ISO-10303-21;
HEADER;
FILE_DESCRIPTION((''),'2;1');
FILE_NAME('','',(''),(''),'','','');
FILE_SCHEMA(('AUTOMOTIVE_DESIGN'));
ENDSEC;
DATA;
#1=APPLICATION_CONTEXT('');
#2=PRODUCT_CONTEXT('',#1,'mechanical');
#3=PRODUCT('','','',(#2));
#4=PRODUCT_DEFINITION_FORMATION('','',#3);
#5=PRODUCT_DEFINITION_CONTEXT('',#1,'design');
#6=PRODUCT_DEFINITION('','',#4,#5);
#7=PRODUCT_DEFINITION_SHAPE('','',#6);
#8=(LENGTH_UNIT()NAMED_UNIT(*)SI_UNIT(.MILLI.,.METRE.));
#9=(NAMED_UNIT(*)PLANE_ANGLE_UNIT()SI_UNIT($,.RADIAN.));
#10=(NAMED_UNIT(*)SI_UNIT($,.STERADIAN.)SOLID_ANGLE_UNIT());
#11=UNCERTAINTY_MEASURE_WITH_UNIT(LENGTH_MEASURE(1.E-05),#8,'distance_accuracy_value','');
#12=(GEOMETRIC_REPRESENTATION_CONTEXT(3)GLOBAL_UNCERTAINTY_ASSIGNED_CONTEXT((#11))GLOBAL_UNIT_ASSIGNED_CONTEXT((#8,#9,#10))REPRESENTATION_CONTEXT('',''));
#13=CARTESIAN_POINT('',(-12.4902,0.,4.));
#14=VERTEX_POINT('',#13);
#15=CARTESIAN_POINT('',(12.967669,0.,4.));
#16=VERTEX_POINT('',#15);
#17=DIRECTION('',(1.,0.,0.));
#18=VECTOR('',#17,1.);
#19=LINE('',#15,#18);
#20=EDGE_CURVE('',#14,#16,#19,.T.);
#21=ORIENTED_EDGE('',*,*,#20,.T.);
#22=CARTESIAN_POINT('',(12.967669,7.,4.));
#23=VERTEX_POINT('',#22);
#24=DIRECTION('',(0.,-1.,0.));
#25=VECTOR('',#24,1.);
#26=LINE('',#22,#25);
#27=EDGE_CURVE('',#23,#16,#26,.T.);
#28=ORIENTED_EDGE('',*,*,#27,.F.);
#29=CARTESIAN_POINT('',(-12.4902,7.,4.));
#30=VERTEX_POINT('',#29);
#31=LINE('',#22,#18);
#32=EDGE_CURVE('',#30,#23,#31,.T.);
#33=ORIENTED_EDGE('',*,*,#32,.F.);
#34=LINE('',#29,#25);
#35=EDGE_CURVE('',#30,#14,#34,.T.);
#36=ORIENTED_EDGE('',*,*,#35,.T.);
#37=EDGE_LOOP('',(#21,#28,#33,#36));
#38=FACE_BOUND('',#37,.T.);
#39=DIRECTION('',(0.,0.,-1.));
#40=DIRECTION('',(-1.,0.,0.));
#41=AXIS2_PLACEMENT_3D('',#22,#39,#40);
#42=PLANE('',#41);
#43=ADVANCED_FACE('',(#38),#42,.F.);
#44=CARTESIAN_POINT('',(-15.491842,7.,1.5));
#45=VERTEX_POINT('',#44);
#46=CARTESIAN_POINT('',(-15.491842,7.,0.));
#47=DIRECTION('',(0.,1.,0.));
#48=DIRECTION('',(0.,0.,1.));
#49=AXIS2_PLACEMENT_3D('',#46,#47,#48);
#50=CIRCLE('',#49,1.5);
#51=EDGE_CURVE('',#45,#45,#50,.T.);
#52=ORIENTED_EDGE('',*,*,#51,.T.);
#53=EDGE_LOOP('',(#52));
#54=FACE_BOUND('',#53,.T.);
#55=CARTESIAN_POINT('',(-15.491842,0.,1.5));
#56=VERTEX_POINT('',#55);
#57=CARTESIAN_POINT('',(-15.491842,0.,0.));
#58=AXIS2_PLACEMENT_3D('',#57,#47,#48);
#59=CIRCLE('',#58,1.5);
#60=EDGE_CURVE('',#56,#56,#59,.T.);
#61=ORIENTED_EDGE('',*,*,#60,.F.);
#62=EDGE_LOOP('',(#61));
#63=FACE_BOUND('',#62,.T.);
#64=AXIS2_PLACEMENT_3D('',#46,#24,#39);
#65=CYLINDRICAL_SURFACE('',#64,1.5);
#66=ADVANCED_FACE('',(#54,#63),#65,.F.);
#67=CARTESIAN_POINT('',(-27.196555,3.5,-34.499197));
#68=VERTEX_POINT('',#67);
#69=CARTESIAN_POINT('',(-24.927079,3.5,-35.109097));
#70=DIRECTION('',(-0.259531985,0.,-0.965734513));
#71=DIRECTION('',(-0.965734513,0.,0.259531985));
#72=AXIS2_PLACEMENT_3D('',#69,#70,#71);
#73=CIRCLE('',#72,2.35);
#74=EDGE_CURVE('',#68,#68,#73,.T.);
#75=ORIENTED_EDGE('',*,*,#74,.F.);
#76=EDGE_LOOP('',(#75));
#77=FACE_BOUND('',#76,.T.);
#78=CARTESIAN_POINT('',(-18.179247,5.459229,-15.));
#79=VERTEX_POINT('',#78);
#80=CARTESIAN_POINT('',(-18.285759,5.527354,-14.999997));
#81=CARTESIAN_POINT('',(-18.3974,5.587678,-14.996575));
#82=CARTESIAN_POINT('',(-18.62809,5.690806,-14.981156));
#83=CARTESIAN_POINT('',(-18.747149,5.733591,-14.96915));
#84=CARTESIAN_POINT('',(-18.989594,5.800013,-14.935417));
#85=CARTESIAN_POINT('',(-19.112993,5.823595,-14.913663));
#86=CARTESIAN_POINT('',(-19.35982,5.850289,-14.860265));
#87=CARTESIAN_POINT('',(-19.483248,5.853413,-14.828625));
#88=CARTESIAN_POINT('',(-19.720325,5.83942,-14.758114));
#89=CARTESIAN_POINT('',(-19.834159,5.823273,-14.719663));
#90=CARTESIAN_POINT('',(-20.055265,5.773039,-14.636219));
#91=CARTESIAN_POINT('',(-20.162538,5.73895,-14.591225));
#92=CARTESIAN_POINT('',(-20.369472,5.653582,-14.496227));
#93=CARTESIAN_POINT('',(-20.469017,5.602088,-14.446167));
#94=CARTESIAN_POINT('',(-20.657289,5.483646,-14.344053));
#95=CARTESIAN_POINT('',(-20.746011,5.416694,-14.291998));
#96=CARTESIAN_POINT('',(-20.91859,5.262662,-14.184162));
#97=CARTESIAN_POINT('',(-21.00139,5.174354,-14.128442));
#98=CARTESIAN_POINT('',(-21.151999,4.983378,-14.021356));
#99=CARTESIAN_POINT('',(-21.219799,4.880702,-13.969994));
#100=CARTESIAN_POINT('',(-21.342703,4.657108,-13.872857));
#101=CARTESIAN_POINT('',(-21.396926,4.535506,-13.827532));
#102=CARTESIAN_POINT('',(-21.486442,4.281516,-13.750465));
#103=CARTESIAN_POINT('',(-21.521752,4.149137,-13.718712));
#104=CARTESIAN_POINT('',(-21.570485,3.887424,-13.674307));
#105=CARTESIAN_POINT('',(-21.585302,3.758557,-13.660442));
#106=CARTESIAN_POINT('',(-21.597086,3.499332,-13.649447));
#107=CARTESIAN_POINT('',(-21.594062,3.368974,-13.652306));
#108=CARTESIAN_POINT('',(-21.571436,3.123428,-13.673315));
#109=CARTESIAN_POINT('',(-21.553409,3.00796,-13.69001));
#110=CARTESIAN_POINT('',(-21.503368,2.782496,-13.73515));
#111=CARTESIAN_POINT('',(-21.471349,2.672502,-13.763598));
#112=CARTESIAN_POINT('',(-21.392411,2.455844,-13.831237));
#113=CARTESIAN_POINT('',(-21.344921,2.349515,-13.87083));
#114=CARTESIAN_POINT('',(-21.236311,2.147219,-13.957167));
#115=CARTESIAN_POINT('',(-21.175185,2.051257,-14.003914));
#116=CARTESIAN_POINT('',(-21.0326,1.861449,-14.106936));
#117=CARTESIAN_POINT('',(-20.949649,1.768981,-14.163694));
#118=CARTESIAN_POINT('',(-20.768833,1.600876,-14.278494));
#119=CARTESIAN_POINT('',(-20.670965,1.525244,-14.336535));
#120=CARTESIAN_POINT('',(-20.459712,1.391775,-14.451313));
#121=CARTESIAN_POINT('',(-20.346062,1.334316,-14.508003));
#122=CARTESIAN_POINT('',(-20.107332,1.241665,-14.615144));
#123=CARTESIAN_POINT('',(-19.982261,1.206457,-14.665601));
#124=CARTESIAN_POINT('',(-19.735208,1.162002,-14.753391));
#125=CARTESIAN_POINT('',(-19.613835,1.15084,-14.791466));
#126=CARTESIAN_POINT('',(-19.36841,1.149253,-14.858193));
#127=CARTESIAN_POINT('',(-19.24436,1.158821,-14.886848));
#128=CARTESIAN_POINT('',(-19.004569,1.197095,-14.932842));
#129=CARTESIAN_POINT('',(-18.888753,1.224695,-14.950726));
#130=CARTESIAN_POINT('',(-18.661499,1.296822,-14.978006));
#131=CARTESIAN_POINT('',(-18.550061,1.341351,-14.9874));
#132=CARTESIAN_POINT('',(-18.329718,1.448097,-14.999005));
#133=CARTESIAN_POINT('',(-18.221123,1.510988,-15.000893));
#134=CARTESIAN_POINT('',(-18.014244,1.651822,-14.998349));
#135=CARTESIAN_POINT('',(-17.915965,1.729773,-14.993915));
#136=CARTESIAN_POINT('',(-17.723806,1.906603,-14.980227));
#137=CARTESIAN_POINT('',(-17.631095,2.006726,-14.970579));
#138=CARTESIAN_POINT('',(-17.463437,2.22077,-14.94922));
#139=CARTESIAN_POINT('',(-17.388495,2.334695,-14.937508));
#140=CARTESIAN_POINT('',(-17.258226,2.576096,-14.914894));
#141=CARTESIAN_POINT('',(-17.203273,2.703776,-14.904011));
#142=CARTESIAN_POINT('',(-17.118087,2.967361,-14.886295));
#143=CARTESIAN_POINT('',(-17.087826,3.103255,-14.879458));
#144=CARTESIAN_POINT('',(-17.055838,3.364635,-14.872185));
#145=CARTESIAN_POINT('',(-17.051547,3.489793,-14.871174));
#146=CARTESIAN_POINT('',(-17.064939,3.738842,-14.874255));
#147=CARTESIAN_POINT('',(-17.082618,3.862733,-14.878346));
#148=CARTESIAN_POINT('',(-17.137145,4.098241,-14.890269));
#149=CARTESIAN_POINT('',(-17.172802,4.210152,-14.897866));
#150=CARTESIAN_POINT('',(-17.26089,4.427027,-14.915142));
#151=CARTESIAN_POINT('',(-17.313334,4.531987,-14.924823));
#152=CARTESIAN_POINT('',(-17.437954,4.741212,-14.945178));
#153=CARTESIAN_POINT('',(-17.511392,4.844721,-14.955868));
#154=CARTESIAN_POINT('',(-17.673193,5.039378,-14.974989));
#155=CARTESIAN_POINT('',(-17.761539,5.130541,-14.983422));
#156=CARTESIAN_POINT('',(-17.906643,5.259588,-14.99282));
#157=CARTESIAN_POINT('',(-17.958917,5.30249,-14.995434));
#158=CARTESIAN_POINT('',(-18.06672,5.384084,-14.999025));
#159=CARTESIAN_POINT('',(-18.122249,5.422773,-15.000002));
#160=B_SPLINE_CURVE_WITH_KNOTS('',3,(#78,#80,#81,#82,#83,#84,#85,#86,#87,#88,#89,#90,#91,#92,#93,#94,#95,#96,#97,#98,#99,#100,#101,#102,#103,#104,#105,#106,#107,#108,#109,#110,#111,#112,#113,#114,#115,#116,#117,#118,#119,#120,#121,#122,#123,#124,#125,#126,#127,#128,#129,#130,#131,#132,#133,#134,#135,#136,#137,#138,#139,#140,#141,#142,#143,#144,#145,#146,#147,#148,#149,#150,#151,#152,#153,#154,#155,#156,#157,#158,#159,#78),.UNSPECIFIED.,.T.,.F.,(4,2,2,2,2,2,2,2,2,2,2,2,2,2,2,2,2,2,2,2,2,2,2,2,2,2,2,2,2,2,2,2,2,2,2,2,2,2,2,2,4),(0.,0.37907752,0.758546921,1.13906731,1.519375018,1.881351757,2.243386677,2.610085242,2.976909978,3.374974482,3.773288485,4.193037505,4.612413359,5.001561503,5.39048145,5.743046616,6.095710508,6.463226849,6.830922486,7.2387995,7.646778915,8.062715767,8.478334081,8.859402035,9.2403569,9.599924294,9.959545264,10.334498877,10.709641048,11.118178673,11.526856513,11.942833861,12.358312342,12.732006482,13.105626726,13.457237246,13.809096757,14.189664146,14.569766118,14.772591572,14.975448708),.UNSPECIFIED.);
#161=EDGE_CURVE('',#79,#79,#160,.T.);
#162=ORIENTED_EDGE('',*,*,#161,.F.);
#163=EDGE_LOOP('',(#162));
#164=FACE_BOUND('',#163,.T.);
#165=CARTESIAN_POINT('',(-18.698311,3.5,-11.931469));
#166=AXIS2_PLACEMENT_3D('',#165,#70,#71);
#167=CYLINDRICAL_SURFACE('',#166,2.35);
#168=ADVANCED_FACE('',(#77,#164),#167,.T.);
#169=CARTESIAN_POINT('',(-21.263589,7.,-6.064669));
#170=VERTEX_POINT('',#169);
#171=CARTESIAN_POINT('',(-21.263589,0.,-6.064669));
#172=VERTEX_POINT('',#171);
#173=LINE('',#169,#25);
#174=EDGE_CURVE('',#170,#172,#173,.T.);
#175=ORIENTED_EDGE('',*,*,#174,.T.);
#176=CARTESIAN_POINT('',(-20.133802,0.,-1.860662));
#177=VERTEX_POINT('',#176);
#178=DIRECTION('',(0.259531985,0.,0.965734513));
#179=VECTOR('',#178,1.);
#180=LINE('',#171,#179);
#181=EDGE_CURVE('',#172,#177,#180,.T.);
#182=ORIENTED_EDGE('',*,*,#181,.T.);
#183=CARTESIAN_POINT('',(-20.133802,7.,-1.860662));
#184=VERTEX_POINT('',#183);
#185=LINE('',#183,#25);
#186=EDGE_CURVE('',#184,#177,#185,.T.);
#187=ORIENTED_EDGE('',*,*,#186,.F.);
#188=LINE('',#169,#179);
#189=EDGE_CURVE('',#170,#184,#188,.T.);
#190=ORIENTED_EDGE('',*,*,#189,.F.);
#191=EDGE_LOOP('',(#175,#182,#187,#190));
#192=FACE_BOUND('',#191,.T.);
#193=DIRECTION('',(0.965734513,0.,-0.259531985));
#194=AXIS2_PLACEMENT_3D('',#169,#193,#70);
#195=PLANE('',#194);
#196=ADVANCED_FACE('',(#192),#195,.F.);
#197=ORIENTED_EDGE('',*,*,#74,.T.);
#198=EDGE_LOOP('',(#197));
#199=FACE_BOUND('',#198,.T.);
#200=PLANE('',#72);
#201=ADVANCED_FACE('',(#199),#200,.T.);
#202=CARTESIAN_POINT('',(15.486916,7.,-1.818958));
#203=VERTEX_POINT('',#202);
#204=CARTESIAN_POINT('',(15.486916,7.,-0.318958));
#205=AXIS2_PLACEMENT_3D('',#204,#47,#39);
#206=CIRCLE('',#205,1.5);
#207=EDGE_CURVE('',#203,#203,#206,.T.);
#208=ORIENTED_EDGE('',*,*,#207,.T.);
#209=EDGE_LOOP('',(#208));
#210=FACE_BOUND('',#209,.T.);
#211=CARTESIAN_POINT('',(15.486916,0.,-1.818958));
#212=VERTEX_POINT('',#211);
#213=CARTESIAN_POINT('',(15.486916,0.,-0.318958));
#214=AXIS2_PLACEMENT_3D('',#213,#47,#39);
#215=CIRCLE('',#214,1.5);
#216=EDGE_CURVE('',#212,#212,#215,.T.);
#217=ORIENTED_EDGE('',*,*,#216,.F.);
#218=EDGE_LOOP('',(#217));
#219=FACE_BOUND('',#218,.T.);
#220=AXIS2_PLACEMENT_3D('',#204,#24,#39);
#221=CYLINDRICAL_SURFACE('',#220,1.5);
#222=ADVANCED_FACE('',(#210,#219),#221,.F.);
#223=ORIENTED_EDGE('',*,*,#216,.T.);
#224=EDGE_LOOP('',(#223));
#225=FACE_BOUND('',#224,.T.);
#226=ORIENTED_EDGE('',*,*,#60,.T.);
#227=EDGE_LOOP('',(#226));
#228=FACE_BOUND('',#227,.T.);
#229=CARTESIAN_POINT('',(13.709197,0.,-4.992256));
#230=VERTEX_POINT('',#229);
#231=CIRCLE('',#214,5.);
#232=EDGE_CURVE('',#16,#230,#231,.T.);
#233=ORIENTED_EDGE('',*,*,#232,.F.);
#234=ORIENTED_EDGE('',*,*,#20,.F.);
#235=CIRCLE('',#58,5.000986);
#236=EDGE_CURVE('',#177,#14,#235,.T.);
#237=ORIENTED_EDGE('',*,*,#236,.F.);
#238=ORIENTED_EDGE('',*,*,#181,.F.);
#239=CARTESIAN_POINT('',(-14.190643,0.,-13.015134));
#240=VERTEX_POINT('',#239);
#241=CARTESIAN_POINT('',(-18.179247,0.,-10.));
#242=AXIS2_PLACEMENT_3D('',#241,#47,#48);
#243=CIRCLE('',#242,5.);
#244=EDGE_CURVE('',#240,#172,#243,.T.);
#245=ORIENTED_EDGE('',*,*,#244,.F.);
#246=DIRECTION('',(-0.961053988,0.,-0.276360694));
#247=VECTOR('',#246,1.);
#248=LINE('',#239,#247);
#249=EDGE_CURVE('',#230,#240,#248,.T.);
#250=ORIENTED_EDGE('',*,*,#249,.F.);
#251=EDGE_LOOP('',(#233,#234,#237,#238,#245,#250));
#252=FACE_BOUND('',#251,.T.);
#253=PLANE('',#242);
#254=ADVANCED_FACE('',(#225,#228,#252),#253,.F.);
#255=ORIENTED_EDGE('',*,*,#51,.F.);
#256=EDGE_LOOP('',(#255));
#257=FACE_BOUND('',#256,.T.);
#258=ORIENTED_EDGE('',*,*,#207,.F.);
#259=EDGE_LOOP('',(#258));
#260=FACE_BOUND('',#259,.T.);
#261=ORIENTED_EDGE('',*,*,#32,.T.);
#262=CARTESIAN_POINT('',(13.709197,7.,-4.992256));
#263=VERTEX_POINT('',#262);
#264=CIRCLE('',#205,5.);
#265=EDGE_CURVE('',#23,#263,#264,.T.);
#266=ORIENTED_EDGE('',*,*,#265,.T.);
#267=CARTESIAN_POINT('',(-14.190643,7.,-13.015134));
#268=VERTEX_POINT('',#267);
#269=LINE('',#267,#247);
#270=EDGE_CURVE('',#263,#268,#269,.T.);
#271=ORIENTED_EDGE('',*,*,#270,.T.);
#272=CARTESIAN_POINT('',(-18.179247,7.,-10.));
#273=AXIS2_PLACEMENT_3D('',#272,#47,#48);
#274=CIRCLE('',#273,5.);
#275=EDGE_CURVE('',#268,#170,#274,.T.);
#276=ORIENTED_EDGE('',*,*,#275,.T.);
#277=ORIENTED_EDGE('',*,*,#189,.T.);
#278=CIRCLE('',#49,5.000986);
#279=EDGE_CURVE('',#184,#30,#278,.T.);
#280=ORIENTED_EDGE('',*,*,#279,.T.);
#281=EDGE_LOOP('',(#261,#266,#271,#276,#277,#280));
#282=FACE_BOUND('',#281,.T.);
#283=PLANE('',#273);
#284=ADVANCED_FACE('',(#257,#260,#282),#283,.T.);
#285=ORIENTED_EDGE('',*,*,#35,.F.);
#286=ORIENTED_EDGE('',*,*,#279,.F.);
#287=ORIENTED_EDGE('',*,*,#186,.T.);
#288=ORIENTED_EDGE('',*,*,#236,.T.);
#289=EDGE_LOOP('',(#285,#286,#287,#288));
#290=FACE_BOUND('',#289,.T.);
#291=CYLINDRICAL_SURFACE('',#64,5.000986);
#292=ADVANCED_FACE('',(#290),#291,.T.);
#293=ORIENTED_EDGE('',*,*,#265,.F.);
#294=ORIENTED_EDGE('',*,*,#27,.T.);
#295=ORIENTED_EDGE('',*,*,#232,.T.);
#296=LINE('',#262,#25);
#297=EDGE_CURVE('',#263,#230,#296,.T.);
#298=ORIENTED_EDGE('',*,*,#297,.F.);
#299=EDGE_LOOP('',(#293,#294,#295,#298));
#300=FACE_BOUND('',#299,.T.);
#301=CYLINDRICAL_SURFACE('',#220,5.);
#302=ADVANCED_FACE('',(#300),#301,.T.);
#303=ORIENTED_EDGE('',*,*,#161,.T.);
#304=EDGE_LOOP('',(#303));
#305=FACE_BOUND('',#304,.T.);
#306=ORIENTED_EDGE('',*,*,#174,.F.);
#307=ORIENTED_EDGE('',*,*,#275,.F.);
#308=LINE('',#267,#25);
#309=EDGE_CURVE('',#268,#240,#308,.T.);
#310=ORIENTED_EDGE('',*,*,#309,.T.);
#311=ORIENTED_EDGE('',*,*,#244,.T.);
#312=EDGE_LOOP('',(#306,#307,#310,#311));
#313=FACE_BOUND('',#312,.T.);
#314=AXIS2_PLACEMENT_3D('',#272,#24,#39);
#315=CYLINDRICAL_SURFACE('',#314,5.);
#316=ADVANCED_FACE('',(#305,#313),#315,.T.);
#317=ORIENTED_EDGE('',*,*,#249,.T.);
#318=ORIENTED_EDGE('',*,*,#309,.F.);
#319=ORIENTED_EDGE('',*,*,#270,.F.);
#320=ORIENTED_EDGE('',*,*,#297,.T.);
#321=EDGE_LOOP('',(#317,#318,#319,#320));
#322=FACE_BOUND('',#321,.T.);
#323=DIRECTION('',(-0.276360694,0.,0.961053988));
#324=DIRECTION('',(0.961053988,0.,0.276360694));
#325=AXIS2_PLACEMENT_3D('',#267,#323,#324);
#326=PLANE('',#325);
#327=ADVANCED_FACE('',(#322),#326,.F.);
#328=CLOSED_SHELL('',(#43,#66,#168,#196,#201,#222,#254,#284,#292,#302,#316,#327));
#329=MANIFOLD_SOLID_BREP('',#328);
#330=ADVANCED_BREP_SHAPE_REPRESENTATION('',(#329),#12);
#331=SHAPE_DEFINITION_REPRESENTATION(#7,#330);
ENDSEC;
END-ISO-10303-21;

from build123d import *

# Parameters (mm, degrees)
CROQUIS1_R                   = 1.5
SALIENTE_EXTRUIR1_DEPTH      = 7
SALIENTE_EXTRUIR3_DEPTH      = 21
SALIENTE_EXTRUIR3_DEPTH_BACK = 3
CROQUIS3_R                   = 2.35


with BuildPart() as part:
    # Croquis1 → Saliente-Extruir1 (new body)
    with BuildSketch(Plane(origin=(0, 0, 0), x_dir=(1, 0, 0), z_dir=(0, 1, 0))):
        with BuildLine():
            Line((12.967669222, -4), (-12.4902, -4))
            ThreePointArc((-12.4902, -4), (-18.53478474, -3.968671916), (-20.133802427, 1.860661543))
            Line((-20.133802427, 1.860661543), (-21.263589404, 6.064668523))
            ThreePointArc((-21.263589404, 6.064668523), (-21.68376794, 13.566277491), (-14.19064257, 13.015133868))
            Line((-14.19064257, 13.015133868), (13.709196644, 4.992255837))
            ThreePointArc((13.709196644, 4.992255837), (20.470001725, -0.091961868), (12.967669222, -4))
        make_face()
        with Locations(Location((-15.491842215, 0, 0), (0, 0, 270))):
            Circle(CROQUIS1_R, mode=Mode.SUBTRACT)
        with Locations(Location((15.486915831, 0.318957805, 0), (0, 0, 90))):
            Circle(CROQUIS1_R, mode=Mode.SUBTRACT)
    extrude(amount=SALIENTE_EXTRUIR1_DEPTH)

    # Croquis3 → Saliente-Extruir3 (add, two sides: drawn at the far end of the back side and taken through both)
    with BuildSketch(Plane(origin=(-5.028546726, 0, -18.711532324), x_dir=(-0.9657345126344663, 0, 0.25953198474690947), z_dir=(-0.2595319847469094, 0, -0.9657345126344662)).offset(-SALIENTE_EXTRUIR3_DEPTH_BACK)):
        with Locations((14.961006691, 3.5)):
            Circle(CROQUIS3_R)
    extrude(amount=SALIENTE_EXTRUIR3_DEPTH + SALIENTE_EXTRUIR3_DEPTH_BACK)


solid = part.part
